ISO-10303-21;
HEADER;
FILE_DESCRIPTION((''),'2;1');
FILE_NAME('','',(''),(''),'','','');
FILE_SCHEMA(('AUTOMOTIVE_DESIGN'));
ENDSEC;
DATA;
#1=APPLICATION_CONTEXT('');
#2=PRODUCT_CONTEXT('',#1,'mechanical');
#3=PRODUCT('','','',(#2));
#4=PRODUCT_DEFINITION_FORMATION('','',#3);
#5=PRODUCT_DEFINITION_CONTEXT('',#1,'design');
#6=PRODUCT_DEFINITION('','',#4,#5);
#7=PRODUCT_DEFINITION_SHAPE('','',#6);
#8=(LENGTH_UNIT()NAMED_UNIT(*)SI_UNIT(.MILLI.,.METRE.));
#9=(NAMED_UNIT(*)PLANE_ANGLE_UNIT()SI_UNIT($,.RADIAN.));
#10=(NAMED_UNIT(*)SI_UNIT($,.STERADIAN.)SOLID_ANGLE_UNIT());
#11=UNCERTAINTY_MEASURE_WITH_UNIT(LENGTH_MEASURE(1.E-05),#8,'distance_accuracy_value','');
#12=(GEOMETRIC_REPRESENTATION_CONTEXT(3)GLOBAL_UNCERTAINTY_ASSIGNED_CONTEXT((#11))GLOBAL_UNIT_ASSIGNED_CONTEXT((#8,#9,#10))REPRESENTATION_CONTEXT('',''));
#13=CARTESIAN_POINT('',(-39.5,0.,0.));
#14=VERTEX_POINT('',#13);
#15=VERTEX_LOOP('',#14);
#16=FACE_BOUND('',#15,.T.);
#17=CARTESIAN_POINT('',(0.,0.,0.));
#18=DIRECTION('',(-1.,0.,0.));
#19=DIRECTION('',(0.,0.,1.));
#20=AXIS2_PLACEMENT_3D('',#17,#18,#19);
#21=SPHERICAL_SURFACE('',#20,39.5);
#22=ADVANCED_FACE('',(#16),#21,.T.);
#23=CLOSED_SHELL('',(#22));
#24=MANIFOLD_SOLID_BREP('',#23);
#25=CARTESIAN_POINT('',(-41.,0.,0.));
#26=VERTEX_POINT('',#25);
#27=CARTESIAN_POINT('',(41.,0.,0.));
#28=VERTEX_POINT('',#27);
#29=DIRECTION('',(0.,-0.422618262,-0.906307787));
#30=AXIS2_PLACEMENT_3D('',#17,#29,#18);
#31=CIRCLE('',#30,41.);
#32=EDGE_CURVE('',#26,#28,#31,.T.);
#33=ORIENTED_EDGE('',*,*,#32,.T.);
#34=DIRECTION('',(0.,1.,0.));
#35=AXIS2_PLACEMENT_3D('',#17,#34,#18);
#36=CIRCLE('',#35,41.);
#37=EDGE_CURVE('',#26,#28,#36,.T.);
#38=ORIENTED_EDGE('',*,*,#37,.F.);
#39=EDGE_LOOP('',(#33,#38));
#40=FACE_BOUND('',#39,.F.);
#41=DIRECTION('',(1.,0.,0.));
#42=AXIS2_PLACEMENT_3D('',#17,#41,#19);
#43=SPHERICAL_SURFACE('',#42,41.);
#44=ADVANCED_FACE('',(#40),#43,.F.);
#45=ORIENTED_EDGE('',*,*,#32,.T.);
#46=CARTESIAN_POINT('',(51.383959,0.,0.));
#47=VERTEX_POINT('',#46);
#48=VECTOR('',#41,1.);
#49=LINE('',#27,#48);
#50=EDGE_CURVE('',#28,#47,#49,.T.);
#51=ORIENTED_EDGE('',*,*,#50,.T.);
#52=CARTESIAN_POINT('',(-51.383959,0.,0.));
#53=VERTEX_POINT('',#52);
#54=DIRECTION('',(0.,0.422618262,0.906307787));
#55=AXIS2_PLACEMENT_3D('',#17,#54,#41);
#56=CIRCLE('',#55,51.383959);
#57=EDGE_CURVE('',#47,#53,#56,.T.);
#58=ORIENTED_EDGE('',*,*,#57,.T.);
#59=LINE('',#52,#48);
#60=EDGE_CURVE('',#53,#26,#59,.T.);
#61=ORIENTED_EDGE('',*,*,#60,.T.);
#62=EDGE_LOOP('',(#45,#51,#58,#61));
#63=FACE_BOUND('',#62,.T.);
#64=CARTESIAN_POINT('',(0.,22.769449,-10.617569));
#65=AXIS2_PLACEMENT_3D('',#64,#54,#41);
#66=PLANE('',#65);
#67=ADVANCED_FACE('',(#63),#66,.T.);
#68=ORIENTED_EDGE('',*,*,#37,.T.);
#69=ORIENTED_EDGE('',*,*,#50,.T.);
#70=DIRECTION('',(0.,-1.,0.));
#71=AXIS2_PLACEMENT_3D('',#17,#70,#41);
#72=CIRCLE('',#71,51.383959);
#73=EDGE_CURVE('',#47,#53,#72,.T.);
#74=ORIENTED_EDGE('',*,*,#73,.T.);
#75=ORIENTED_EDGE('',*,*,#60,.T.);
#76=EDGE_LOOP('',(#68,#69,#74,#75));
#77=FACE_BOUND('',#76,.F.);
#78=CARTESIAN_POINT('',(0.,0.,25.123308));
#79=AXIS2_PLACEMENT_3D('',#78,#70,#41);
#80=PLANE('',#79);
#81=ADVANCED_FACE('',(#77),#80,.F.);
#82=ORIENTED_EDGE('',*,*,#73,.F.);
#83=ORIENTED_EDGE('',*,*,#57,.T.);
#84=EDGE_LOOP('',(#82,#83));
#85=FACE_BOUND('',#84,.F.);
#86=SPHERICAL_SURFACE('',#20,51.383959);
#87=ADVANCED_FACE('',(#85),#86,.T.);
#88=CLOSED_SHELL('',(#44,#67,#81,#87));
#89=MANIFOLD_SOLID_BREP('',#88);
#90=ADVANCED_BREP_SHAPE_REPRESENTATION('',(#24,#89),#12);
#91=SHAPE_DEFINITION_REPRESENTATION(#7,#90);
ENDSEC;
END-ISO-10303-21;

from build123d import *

# Parameters (mm, degrees)
F1_ANGLE = 245


with BuildPart() as f1:
    # F0 (on Front) → F1 (revolve)
    with BuildSketch(Plane.XZ):
        with BuildLine():
            Line((41, 0), (51.383959, 0))
            ThreePointArc((51.383959, 0), (0, 51.383959), (-51.383959, 0))
            Line((-51.383959, 0), (-41, 0))
            ThreePointArc((-41, 0), (0, 41), (41, 0))
        make_face()
    revolve(axis=Axis((-46.191979, 0, 0), (1, 0, 0)), revolution_arc=F1_ANGLE)


with BuildPart() as f3:
    # F2 (on Front) → F3 (revolve)
    with BuildSketch(Plane.XZ):
        with BuildLine():
            Line((-39.5, 0), (39.5, 0))
            ThreePointArc((39.5, 0), (0, 39.5), (-39.5, 0))
        make_face()
    revolve(axis=Axis((0, 0, 0), (-1, 0, 0)))


solid = Compound([f1.part, f3.part])
